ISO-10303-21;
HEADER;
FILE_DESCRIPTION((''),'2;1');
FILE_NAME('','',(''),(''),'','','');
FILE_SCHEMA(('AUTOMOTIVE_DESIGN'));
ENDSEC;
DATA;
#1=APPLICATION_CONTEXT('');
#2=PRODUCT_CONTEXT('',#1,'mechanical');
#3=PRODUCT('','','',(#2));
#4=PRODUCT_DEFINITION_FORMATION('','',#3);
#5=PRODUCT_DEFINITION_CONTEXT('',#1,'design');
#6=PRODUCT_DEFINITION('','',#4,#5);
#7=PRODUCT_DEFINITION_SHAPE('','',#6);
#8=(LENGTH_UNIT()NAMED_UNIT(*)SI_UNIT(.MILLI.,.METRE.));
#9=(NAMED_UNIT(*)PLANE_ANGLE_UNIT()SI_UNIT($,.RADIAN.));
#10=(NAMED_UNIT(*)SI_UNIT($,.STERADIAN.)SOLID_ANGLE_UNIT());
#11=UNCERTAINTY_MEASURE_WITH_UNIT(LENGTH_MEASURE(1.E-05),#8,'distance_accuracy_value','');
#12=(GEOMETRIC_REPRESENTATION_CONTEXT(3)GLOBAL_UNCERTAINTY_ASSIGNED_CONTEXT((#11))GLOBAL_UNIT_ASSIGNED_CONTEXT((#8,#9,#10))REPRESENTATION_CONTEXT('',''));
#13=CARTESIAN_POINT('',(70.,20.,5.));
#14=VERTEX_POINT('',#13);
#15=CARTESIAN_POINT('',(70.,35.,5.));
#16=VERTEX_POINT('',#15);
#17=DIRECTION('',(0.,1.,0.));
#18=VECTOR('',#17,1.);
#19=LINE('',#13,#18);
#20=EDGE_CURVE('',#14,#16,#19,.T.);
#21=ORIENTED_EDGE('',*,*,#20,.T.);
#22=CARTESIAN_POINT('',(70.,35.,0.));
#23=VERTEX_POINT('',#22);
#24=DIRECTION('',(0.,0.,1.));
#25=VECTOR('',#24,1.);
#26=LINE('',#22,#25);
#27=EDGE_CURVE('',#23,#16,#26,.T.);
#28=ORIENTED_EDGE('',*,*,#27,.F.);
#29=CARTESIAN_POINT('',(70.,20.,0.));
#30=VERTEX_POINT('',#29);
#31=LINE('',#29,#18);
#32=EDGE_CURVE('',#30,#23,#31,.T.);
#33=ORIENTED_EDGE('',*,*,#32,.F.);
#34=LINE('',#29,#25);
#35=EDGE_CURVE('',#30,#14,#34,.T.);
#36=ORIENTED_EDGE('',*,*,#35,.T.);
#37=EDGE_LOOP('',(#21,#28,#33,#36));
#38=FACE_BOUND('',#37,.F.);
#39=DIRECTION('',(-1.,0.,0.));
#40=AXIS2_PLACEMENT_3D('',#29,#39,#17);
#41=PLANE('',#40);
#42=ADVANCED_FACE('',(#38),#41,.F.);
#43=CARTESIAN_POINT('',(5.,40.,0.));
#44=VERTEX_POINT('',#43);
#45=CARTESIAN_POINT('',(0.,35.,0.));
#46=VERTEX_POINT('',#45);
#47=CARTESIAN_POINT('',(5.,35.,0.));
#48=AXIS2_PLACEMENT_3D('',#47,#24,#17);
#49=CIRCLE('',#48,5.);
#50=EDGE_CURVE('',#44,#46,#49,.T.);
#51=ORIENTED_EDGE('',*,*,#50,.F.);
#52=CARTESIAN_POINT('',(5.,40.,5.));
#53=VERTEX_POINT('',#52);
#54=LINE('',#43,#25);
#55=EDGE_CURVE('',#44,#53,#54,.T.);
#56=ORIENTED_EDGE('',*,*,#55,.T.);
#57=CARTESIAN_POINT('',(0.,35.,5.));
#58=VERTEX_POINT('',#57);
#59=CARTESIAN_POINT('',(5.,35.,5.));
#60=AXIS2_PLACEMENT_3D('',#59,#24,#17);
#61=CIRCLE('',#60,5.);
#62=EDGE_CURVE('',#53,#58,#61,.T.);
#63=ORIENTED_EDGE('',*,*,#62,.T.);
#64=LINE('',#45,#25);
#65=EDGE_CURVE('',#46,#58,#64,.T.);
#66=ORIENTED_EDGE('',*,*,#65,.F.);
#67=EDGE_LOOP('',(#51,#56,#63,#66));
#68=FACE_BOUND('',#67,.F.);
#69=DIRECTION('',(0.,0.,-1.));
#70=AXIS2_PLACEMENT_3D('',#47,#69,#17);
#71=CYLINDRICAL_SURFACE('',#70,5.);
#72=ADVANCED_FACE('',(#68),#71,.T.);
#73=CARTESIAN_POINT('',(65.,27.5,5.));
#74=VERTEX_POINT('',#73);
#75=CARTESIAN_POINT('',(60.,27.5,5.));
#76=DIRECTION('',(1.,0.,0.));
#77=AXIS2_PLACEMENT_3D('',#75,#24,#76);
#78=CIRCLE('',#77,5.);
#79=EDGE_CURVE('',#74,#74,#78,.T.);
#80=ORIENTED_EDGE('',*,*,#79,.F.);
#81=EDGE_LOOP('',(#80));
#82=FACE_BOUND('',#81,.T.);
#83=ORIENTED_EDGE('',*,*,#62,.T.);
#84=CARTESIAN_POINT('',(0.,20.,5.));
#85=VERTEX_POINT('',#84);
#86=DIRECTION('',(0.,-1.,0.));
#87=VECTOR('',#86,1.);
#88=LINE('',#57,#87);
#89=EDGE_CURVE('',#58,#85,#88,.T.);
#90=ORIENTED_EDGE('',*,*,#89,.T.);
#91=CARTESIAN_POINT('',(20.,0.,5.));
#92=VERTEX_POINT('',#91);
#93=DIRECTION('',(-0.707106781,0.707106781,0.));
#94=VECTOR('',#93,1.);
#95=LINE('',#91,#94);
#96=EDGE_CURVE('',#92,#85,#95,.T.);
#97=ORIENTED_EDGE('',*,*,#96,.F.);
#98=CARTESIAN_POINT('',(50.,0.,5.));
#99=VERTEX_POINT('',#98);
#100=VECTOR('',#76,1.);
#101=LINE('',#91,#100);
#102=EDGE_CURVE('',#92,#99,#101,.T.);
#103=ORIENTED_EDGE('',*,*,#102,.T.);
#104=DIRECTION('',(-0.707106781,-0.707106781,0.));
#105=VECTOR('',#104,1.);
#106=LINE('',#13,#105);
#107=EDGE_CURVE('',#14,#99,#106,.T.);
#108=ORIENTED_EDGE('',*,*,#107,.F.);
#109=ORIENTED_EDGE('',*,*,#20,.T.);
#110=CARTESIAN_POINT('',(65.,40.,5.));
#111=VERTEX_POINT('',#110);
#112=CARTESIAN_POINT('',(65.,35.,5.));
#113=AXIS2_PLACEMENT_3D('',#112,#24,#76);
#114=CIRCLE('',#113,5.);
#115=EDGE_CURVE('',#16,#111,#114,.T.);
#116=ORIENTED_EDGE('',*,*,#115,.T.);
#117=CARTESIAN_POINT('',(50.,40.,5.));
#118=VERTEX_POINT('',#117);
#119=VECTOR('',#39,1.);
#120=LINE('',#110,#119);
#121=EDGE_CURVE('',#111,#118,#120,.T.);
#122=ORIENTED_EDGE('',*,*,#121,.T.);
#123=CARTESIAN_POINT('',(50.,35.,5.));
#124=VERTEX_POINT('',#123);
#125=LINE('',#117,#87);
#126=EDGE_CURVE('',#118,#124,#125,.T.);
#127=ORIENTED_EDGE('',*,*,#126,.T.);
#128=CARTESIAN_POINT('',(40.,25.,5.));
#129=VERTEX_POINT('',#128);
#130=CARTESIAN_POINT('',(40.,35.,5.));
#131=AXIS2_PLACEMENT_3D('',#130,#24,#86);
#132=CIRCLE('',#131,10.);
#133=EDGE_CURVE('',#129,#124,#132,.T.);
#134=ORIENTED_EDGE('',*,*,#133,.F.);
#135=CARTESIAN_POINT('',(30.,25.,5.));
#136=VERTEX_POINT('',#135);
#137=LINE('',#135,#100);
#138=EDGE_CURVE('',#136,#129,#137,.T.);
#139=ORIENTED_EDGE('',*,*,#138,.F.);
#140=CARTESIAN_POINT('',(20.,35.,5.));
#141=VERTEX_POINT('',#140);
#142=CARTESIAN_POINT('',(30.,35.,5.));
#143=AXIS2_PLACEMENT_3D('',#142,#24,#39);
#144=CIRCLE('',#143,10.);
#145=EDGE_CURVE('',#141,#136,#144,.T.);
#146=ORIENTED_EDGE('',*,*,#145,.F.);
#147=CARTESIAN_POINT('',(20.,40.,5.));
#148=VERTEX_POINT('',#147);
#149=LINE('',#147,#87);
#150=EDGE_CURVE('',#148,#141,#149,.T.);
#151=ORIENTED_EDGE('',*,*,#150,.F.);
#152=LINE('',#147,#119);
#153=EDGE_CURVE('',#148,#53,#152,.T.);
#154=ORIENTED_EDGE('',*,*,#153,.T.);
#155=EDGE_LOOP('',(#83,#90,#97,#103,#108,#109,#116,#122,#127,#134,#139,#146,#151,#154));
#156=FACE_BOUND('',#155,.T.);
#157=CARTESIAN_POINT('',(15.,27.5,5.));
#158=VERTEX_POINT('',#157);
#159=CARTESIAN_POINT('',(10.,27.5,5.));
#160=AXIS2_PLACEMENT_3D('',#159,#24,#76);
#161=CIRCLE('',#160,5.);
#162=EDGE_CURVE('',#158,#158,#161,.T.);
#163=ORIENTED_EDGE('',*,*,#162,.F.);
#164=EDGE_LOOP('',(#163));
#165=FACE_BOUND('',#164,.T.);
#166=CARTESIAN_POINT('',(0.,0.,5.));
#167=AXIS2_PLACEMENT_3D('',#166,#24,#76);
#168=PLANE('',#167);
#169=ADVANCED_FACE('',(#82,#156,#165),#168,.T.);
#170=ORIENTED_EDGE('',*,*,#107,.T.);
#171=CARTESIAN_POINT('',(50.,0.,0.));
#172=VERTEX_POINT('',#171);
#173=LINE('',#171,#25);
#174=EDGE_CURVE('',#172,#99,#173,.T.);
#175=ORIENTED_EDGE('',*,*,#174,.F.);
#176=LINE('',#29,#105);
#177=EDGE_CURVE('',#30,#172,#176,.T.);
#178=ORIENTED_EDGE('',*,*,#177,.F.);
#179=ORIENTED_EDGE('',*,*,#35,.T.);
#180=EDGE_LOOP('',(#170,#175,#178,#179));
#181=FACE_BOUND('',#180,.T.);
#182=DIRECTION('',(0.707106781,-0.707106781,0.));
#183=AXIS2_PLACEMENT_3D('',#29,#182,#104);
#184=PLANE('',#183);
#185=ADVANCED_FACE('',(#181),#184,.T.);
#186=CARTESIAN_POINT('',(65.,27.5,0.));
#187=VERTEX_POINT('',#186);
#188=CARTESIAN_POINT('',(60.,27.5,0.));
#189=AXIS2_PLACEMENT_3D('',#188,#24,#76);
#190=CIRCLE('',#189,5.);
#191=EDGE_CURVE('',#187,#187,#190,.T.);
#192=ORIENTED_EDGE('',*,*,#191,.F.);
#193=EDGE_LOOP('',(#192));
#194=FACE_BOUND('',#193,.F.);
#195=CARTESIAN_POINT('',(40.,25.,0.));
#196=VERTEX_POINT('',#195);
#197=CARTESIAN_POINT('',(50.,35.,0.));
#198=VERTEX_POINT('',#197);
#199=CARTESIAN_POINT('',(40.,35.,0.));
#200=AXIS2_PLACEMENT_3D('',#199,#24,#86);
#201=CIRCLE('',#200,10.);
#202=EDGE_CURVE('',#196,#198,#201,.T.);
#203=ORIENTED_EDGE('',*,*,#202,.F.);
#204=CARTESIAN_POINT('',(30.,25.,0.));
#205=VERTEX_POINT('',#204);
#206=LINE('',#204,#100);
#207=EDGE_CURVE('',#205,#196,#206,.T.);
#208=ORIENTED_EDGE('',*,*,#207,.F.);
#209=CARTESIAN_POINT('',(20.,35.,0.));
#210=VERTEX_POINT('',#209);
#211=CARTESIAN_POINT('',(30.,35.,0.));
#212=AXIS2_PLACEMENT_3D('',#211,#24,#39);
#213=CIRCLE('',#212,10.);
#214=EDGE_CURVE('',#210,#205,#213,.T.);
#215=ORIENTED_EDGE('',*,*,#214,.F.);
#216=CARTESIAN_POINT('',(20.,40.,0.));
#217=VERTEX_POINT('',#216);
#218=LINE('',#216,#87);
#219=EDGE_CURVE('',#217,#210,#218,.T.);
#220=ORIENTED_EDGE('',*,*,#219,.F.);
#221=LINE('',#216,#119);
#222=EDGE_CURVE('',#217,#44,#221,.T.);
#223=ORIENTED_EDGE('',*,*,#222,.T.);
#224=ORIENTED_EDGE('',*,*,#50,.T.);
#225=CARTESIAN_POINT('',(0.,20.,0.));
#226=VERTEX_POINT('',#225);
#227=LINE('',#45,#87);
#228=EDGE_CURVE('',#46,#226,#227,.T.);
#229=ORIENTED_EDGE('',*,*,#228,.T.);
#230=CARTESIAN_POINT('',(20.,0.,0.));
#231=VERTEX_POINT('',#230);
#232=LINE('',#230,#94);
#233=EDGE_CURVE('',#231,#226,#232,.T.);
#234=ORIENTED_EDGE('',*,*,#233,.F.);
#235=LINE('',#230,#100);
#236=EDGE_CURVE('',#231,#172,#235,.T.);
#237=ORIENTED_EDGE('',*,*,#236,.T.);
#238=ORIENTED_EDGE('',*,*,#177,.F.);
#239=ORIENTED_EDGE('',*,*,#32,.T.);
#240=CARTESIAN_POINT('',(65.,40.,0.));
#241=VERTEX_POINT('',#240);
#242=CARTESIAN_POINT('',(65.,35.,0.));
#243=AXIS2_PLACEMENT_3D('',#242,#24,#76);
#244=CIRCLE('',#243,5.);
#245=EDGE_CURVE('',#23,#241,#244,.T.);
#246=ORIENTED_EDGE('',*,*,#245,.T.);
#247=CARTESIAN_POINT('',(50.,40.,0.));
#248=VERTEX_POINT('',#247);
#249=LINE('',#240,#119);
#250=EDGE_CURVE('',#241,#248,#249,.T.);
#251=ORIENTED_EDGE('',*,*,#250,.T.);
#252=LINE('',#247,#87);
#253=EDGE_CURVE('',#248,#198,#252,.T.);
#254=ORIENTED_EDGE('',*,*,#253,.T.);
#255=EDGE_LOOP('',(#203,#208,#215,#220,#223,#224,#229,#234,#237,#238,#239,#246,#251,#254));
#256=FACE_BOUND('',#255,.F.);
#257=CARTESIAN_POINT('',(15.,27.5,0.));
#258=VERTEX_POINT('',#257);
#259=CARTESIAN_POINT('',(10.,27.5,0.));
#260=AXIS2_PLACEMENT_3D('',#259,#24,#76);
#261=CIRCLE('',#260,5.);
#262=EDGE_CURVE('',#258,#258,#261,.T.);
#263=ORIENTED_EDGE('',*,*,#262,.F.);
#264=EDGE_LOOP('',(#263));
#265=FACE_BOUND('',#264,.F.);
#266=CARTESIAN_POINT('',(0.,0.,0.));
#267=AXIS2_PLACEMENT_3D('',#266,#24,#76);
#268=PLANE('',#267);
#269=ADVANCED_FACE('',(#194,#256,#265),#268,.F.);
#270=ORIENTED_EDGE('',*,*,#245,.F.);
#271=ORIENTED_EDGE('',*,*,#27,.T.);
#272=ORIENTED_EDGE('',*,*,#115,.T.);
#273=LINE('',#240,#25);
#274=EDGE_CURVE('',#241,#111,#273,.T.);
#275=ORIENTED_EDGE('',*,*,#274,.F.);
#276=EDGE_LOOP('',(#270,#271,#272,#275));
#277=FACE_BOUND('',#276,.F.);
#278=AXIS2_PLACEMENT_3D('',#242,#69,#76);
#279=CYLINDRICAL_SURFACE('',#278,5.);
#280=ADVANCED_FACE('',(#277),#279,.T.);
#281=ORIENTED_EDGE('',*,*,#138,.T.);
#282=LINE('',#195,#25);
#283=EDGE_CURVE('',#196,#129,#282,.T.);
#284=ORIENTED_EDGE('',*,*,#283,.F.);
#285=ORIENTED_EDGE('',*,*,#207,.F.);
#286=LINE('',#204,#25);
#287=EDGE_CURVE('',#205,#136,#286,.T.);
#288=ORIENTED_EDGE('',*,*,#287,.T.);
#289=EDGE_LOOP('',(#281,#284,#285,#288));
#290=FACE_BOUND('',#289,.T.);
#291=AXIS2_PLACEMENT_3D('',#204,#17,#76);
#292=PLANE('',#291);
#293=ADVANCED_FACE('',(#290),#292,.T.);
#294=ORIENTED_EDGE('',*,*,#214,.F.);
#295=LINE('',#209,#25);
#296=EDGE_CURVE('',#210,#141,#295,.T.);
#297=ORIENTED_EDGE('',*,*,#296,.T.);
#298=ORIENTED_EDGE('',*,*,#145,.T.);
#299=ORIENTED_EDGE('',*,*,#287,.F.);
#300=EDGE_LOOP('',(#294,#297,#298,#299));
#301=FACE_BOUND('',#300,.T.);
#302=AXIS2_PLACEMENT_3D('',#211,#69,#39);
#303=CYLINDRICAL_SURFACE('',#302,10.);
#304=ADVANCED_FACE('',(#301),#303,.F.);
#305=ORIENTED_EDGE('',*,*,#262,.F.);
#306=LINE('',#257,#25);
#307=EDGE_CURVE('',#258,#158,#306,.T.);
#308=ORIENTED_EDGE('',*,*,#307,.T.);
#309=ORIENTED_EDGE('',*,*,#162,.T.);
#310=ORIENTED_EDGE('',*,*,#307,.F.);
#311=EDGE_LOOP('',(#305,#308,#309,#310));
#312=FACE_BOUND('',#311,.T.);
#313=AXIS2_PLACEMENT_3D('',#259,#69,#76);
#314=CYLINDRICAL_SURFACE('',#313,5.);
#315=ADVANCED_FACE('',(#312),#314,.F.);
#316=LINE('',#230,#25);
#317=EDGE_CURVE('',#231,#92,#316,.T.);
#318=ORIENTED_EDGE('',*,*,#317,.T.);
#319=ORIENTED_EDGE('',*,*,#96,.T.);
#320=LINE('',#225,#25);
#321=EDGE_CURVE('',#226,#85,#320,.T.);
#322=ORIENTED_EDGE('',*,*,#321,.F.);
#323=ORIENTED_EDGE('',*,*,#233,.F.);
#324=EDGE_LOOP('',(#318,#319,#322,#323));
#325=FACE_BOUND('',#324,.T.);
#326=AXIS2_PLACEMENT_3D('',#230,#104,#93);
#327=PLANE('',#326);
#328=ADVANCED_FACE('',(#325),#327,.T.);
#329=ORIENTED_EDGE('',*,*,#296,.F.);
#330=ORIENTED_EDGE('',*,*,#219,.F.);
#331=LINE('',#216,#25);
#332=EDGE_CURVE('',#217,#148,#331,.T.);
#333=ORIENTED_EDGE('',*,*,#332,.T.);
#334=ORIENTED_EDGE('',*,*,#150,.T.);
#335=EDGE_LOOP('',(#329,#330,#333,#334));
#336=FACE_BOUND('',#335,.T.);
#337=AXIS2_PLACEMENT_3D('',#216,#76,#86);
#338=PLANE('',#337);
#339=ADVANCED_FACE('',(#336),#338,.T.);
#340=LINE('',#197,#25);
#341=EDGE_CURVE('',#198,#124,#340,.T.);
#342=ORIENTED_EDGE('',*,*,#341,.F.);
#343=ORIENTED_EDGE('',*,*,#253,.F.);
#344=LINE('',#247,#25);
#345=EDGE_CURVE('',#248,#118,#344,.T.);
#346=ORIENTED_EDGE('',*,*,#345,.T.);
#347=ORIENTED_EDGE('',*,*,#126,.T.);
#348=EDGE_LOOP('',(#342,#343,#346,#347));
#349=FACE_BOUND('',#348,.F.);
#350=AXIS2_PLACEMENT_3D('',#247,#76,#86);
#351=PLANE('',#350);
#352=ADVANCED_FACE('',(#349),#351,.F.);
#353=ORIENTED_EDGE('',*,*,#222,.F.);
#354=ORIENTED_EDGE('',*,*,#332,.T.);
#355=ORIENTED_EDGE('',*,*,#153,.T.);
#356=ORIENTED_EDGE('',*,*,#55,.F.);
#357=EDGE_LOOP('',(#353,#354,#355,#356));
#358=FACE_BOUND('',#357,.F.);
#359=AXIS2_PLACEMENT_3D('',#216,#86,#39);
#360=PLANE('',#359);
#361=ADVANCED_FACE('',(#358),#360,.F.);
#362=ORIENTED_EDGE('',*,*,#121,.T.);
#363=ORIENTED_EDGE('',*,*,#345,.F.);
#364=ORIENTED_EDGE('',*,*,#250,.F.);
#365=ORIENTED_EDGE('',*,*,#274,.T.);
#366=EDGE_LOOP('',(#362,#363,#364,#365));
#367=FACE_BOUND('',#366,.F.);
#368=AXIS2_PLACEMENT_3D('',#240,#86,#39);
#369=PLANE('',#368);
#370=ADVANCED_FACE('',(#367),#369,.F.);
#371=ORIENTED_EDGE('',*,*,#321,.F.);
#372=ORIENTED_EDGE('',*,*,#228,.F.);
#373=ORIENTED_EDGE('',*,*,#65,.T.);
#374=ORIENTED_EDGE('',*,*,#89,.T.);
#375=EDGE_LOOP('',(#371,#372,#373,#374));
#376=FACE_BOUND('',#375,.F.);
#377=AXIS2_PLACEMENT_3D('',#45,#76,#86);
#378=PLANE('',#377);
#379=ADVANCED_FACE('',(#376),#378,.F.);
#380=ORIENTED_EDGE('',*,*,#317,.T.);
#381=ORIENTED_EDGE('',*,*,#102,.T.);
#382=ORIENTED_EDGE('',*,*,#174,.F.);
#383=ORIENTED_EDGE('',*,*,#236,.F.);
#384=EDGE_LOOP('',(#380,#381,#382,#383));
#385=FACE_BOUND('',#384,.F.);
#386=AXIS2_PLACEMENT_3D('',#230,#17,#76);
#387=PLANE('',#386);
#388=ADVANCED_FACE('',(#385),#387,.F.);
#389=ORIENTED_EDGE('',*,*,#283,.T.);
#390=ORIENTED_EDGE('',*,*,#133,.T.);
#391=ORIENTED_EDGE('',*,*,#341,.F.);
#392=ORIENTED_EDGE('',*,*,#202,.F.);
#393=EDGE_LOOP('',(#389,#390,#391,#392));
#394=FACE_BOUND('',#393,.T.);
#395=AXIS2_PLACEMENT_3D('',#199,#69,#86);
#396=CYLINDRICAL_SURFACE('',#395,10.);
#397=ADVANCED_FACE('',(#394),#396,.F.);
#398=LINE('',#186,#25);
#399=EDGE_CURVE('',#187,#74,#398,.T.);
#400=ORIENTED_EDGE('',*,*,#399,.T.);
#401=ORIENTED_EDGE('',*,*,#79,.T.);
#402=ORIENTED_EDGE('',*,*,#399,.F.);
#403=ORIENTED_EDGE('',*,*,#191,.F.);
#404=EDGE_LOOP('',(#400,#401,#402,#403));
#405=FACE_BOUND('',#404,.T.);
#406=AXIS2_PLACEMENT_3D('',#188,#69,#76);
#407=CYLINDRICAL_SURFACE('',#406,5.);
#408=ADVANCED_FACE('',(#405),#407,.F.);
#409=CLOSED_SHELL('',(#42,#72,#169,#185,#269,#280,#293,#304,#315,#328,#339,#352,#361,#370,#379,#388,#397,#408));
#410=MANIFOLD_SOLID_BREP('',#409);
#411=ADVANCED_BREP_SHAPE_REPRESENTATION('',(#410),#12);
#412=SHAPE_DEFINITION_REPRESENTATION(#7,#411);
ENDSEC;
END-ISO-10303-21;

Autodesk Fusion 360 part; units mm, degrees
sketch "Sketch1" plane through (0, 0, 0) normal (0, 0, 1) x (1, 0, 0)
  line L0 (20, 0) -> (50, 0)
  line L1 (70, 20) -> (70, 35)
  line L2 (0, 35) -> (0, 20)
  line L3 (70, 20) -> (50, 0)
  line L4 (20, 0) -> (0, 20)
  arc A0 (5, 40) -> (0, 35) centre (5, 35) ccw
  arc A1 (70, 35) -> (65, 40) centre (65, 35) ccw
  circle A2 centre (10, 27.5) radius 5
  circle A3 centre (60, 27.5) radius 5
  line L5 (-87.2465, 27.5) -> (87.2465, 27.5) construction
  line L6 (60, 39.9875) -> (60, -19.9875) construction
  line L7 (10, 40.8142) -> (10, -20.8142) construction
  line L8 (20, 40) -> (20, 35)
  line L9 (30, 25) -> (40, 25)
  line L10 (50, 40) -> (50, 35)
  arc A4 (40, 25) -> (50, 35) centre (40, 35) ccw
  arc A5 (35, 26.3397) -> (36.6144, 27.5) centre (30, 35) ccw
  arc A6 (33.3856, 27.5) -> (35, 26.3397) centre (40, 35) ccw
  arc A7 (20, 35) -> (30, 25) centre (30, 35) ccw
  line L11 (65, 40) -> (50, 40)
  line L12 (20, 40) -> (5, 40)
  point P0 (70, 0)
  point P1 (0, 40)
  dimension "d1" = 70
  dimension "d2" = 20
  dimension "d3" = 20
  dimension "d4" = 20
  dimension "d5" = 20
  dimension "d6" = 40
  dimension "d7" = 5
  dimension "d8" = 5
  dimension "d9" = 10
  dimension "d10" = 10
  dimension "d12" = 10
  dimension "d13" = 10
  dimension "d14" = 20
  dimension "d16" = 20
  dimension "d17" = 20
  dimension "d20" = 25
  dimension "d22" = 10
  dimension "d25" = 5
  dimension "d26" = 10
  dimension "d27" = 10
extrude "Extrude1" add sketch "Sketch1" along normal blind 5
